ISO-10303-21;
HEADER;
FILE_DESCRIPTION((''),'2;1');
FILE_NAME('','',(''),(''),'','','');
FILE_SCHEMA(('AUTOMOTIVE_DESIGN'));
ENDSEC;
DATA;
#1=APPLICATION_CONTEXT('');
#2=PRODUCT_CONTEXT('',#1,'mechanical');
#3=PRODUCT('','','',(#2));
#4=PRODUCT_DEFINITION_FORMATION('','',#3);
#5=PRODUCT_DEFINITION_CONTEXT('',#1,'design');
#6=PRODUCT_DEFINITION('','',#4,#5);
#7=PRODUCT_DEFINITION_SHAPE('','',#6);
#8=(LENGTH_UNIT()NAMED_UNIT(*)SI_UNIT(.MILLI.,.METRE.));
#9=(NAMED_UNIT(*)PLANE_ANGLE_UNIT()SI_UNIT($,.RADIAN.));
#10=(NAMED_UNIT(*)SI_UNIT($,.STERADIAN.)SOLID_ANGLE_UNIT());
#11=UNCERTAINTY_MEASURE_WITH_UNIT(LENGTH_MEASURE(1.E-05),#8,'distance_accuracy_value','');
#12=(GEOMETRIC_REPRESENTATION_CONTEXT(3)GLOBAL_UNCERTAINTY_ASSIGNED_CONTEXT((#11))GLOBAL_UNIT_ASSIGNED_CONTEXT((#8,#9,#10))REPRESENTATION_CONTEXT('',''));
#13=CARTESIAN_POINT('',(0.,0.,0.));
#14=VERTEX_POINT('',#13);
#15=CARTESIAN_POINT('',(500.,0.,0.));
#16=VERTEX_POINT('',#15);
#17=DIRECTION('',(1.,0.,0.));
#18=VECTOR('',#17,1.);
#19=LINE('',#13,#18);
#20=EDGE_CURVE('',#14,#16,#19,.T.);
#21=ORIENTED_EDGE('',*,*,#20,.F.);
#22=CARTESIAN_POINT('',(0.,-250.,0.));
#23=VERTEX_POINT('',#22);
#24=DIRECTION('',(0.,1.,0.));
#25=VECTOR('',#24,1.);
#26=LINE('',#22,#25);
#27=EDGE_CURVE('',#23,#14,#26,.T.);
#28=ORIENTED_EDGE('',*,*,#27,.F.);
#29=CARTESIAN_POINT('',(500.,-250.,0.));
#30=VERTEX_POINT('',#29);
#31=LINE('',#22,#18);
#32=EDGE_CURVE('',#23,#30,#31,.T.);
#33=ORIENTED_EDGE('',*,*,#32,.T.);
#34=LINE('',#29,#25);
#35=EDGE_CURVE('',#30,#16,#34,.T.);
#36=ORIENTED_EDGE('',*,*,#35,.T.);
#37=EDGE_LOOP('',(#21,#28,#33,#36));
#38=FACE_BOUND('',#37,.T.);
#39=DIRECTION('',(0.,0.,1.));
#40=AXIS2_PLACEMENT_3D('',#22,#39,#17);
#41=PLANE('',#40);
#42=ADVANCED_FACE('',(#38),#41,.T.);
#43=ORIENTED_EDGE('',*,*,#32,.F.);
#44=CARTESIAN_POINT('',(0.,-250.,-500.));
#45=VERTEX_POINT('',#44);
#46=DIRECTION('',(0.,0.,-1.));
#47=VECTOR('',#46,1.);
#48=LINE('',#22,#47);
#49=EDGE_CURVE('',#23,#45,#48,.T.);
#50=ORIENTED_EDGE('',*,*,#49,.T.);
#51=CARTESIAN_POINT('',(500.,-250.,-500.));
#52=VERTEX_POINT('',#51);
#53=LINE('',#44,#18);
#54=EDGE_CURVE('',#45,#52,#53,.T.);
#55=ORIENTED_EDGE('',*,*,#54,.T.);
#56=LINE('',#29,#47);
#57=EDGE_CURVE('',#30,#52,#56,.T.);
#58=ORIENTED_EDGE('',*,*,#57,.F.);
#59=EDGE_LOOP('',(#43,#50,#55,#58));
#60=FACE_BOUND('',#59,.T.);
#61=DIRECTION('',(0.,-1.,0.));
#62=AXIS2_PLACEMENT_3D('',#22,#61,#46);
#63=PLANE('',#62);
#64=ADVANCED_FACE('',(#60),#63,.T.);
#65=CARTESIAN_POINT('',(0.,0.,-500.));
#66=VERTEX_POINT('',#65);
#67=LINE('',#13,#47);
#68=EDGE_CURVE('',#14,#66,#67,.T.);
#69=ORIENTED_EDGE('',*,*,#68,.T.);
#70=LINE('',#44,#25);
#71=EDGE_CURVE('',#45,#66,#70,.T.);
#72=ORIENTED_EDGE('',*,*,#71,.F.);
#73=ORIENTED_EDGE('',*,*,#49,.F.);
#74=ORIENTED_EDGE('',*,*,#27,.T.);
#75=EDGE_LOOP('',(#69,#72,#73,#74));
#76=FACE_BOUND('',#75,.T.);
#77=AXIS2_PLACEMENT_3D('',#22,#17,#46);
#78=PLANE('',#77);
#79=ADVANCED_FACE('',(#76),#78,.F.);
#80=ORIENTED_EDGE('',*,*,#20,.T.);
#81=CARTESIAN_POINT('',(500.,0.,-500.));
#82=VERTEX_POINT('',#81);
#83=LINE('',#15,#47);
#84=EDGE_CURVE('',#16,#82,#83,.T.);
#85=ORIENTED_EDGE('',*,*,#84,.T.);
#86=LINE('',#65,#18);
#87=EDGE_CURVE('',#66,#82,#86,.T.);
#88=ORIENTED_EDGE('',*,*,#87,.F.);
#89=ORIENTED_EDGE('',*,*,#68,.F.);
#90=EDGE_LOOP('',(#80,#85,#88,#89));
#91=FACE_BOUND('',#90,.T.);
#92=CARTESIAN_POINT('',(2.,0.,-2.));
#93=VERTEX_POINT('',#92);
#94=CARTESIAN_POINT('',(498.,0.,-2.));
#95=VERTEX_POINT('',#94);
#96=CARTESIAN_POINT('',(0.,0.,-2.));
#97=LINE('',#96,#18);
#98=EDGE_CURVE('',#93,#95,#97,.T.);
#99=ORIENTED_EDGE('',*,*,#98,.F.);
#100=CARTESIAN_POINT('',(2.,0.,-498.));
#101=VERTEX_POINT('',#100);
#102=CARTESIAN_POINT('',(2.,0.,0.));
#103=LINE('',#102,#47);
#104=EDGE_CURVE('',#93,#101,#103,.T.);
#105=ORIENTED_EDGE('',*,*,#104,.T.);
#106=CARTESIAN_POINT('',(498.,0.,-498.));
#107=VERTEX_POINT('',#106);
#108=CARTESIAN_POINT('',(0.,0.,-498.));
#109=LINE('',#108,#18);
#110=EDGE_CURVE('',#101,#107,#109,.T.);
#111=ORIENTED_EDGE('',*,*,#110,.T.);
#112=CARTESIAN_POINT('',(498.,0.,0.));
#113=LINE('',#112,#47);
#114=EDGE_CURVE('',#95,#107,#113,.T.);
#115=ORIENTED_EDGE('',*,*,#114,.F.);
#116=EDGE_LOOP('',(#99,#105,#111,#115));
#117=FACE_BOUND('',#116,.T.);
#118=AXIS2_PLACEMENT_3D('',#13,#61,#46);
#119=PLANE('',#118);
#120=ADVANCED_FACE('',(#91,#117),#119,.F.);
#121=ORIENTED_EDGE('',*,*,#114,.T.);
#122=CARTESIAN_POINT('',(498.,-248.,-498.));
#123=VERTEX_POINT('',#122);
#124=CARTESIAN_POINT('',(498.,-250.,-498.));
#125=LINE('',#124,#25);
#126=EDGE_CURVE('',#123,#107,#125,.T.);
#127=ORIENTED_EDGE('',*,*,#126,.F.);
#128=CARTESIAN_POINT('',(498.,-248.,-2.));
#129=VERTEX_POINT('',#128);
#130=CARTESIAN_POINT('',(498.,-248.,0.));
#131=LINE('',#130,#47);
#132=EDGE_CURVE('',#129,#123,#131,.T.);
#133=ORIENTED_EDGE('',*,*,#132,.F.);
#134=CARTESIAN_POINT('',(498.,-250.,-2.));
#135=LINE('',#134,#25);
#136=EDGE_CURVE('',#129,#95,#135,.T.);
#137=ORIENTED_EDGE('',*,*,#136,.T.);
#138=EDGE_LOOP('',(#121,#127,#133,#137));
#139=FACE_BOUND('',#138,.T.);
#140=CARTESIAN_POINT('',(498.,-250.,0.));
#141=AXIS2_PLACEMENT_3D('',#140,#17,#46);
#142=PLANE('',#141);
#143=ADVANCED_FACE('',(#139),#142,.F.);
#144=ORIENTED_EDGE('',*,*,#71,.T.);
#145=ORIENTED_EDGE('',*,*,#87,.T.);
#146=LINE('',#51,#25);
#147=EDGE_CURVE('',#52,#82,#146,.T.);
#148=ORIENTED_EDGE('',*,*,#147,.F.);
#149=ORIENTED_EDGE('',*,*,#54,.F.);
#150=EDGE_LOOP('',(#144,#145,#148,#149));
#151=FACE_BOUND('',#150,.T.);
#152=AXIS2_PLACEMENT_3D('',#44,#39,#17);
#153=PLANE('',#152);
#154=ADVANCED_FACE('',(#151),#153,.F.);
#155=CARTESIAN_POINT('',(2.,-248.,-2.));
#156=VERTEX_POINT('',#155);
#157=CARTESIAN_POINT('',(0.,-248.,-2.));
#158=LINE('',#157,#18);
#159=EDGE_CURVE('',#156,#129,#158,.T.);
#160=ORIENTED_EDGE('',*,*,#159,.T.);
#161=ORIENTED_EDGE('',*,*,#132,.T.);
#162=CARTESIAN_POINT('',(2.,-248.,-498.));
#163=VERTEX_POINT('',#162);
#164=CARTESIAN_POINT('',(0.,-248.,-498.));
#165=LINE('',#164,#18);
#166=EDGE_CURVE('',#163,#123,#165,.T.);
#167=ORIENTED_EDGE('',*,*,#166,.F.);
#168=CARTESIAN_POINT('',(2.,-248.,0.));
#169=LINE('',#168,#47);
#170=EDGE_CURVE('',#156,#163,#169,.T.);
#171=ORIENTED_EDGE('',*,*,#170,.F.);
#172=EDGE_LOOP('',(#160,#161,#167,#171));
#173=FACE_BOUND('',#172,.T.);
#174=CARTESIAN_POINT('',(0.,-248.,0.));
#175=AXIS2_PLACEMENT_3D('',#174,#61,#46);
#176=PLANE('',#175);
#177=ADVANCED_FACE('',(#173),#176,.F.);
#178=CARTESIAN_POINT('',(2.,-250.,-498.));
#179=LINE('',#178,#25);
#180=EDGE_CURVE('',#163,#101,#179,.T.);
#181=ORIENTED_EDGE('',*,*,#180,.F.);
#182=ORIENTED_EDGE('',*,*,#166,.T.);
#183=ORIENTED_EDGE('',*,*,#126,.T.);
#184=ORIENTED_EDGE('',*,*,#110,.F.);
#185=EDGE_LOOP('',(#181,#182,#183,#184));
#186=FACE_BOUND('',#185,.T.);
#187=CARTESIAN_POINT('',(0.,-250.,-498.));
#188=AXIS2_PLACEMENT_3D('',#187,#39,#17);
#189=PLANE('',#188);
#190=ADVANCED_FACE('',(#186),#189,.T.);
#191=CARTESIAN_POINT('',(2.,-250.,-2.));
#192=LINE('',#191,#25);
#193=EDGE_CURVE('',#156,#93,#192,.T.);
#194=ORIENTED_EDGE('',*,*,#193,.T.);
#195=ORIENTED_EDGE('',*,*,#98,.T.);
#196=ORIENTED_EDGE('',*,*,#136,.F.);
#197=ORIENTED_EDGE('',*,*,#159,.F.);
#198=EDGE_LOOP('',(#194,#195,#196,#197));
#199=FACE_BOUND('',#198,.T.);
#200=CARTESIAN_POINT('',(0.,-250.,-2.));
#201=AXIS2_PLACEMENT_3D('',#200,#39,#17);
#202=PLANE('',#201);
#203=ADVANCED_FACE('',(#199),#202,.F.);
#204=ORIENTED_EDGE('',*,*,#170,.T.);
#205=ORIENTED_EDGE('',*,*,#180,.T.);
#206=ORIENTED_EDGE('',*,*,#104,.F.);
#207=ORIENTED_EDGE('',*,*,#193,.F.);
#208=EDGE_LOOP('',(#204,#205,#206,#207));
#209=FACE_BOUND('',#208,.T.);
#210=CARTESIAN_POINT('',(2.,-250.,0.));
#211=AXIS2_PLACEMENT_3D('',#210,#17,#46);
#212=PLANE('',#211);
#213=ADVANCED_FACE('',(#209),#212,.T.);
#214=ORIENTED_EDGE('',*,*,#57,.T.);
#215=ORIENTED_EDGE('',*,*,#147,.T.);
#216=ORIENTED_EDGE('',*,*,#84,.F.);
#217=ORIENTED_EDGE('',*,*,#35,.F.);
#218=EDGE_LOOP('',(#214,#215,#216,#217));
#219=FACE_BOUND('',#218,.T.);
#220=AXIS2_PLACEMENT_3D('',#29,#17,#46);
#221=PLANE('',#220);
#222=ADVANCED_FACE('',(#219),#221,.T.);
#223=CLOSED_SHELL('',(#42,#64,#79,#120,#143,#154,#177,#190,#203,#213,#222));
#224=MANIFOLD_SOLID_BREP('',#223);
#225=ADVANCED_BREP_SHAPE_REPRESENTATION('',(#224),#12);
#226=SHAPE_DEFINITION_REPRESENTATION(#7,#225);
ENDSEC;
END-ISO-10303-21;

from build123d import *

# Parameters (mm, degrees)
SKETCH1_W           = 500
SKETCH1_H           = 500
BOSS_EXTRUDE1_DEPTH = 250
SHELL1_T            = -2


with BuildPart() as part:
    # Sketch1 → Boss-Extrude1 (new body)
    with BuildSketch(Plane(origin=(0, 0, 0), x_dir=(1, 0, 0), z_dir=(0, 1, 0))):
        with Locations((250, 250)):
            Rectangle(SKETCH1_W, SKETCH1_H)
    extrude(amount=-BOSS_EXTRUDE1_DEPTH)

    # Shell1
    shell1_openings = [part.faces().sort_by_distance(p)[0] for p in [
        (250, 0, -250),
    ]]
    offset(amount=SHELL1_T, openings=shell1_openings, kind=Kind.INTERSECTION)


solid = part.part
